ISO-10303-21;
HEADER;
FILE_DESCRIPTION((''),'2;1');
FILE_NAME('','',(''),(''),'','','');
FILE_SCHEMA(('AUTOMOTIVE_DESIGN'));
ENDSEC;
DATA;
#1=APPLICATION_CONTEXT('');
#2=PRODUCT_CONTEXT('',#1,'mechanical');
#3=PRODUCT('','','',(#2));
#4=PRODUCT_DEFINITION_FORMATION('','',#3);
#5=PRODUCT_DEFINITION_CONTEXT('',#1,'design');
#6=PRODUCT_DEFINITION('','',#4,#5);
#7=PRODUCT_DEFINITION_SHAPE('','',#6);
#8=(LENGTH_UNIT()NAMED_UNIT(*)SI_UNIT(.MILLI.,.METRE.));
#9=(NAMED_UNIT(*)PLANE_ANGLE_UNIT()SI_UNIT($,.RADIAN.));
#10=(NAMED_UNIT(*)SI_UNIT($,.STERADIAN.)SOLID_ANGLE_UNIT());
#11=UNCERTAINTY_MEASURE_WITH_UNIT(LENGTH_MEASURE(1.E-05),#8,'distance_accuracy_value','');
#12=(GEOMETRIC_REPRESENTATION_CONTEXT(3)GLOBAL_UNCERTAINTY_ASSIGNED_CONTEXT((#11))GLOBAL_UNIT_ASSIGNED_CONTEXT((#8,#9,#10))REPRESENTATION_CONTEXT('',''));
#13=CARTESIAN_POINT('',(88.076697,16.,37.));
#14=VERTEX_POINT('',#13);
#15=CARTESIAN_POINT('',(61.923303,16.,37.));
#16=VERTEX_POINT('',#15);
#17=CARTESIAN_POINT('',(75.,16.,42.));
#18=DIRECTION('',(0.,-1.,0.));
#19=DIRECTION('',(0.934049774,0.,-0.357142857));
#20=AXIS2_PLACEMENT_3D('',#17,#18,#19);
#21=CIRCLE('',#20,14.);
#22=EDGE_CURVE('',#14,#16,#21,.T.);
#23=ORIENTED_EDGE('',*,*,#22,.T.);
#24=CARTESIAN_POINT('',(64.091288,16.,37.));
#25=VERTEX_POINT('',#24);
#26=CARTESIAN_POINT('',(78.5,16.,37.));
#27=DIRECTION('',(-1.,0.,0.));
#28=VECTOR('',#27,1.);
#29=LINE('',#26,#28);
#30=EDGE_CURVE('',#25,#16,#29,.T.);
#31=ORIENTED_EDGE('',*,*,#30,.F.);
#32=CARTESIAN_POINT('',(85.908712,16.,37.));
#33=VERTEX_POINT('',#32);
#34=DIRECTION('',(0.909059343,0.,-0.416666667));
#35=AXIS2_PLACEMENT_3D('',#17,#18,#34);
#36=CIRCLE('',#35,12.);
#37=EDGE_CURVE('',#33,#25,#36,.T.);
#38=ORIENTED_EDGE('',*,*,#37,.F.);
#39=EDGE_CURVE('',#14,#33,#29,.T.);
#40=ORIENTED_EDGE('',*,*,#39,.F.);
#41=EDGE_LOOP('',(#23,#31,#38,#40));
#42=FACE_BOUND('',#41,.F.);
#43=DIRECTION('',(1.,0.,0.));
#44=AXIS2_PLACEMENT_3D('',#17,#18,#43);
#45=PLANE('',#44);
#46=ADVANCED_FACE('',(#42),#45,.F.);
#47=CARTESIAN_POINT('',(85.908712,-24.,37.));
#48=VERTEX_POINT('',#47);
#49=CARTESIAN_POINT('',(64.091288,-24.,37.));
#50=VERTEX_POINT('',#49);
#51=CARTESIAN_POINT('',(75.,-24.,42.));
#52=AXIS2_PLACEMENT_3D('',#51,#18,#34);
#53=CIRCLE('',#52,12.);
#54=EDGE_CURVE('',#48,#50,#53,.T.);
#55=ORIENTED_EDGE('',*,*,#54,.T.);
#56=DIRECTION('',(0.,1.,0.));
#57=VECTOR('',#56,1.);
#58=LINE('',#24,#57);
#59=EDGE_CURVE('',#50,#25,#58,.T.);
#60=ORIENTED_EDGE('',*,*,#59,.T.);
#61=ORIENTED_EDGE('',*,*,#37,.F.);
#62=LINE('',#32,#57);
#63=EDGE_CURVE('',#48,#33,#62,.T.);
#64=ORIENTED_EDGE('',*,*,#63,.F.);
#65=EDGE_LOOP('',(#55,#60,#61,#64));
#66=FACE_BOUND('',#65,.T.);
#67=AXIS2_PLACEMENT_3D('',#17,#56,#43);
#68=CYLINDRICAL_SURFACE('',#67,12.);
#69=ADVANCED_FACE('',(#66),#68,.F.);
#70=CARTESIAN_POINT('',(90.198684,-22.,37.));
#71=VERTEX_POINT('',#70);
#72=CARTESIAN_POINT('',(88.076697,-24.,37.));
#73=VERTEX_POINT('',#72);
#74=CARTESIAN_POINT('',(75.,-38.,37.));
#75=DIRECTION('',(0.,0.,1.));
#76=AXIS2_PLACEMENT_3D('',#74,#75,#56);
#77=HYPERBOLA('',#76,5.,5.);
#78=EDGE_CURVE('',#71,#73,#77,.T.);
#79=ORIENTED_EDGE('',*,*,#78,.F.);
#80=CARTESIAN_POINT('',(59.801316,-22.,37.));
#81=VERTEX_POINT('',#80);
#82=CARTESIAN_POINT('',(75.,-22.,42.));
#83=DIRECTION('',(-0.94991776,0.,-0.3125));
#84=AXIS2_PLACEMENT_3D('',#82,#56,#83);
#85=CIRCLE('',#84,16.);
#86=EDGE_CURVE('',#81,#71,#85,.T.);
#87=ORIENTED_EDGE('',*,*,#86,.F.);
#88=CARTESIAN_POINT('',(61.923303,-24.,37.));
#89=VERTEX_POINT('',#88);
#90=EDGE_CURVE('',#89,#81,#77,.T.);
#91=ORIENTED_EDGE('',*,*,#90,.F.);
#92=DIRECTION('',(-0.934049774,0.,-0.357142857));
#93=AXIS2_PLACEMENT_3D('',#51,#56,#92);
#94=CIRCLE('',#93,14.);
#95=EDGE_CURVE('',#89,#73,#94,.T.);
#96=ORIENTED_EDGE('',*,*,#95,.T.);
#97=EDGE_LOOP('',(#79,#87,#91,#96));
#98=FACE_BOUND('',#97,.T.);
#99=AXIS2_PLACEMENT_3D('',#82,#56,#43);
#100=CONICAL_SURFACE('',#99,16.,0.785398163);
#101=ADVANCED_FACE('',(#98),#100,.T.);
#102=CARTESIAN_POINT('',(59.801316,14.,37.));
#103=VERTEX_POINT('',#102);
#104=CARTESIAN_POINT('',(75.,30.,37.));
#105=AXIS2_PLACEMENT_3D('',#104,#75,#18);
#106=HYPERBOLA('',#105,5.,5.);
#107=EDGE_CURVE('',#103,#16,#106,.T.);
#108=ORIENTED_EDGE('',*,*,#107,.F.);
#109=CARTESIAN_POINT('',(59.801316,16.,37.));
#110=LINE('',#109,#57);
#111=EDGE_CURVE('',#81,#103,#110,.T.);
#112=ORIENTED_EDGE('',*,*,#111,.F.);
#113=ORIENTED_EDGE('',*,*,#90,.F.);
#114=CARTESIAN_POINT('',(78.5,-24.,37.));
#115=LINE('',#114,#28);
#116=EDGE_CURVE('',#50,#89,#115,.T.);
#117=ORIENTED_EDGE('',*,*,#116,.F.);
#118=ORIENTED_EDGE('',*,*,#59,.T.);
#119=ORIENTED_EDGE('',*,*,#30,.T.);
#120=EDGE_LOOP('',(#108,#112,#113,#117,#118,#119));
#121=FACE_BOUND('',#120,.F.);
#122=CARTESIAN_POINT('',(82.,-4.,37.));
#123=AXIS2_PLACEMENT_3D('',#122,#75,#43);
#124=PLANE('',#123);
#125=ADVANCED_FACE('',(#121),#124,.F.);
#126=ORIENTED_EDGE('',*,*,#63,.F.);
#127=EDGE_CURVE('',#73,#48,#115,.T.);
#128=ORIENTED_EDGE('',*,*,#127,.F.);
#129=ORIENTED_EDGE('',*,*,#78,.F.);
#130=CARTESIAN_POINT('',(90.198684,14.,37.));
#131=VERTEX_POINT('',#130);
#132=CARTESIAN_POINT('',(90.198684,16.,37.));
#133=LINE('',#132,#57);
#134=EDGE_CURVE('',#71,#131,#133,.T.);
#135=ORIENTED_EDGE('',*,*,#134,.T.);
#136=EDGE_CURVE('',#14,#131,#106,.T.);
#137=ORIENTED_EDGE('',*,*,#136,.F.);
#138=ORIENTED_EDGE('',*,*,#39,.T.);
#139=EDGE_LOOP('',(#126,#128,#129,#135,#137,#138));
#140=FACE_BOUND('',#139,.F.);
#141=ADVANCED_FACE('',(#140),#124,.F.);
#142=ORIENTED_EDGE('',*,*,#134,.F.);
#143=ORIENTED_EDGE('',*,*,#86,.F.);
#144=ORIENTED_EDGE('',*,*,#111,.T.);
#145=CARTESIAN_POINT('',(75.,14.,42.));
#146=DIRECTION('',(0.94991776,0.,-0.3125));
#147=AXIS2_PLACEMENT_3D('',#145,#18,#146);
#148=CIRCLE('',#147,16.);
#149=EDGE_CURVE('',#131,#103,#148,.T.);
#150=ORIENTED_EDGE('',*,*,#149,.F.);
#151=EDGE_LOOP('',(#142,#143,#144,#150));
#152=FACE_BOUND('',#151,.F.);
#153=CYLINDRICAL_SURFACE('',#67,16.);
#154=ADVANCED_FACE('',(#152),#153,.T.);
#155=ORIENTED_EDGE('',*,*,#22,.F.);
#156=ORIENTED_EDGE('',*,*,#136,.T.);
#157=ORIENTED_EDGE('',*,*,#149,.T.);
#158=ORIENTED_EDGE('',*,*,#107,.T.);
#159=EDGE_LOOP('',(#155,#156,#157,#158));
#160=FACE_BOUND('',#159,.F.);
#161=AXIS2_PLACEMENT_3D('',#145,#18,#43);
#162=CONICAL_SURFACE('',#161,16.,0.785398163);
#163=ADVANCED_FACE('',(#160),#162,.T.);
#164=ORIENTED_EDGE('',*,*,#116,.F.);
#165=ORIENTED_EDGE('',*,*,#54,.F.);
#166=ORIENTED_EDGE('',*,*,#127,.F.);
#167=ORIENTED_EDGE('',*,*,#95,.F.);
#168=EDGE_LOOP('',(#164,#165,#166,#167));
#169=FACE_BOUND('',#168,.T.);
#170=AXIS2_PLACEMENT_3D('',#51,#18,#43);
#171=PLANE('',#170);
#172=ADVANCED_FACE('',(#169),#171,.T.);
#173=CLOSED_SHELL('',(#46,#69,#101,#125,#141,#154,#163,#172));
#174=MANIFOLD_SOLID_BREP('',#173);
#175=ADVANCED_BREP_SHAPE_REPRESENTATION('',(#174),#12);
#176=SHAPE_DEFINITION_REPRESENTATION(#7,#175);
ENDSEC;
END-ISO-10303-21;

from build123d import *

# Parameters (mm, degrees)
BOX713_W        = 100
BOX713_H        = 100
BOX713_DEPTH    = 100
TUBE_R          = 16
TUBE_R_2        = 12
TUBE_DEPTH      = 40
CHAMFER002_SIZE = 2


with BuildPart() as krychle713:
    # Box713 → Box713 (new body)
    with BuildSketch(Plane(origin=(32, -54, -63), x_dir=(1, 0, 0), z_dir=(0, 0, 1))):
        with Locations((50, 50)):
            Rectangle(BOX713_W, BOX713_H)
    extrude(amount=BOX713_DEPTH)


with BuildPart() as cut530:
    # Tube → Tube (new body)
    with BuildSketch(Plane(origin=(75, 16, 42), x_dir=(1, 0, 0), z_dir=(0, -1, 0))):
        Circle(TUBE_R)
        Circle(TUBE_R_2, mode=Mode.SUBTRACT)
    extrude(amount=TUBE_DEPTH)

    # Chamfer002
    chamfer002_edges = [cut530.edges().sort_by_distance(p)[0] for p in [
        (59, -24, 42),
        (59, 16, 42),
    ]]
    chamfer(chamfer002_edges, length=CHAMFER002_SIZE)

    # Cut530: cut Krychle713
    add(krychle713.part, mode=Mode.SUBTRACT)


solid = cut530.part
